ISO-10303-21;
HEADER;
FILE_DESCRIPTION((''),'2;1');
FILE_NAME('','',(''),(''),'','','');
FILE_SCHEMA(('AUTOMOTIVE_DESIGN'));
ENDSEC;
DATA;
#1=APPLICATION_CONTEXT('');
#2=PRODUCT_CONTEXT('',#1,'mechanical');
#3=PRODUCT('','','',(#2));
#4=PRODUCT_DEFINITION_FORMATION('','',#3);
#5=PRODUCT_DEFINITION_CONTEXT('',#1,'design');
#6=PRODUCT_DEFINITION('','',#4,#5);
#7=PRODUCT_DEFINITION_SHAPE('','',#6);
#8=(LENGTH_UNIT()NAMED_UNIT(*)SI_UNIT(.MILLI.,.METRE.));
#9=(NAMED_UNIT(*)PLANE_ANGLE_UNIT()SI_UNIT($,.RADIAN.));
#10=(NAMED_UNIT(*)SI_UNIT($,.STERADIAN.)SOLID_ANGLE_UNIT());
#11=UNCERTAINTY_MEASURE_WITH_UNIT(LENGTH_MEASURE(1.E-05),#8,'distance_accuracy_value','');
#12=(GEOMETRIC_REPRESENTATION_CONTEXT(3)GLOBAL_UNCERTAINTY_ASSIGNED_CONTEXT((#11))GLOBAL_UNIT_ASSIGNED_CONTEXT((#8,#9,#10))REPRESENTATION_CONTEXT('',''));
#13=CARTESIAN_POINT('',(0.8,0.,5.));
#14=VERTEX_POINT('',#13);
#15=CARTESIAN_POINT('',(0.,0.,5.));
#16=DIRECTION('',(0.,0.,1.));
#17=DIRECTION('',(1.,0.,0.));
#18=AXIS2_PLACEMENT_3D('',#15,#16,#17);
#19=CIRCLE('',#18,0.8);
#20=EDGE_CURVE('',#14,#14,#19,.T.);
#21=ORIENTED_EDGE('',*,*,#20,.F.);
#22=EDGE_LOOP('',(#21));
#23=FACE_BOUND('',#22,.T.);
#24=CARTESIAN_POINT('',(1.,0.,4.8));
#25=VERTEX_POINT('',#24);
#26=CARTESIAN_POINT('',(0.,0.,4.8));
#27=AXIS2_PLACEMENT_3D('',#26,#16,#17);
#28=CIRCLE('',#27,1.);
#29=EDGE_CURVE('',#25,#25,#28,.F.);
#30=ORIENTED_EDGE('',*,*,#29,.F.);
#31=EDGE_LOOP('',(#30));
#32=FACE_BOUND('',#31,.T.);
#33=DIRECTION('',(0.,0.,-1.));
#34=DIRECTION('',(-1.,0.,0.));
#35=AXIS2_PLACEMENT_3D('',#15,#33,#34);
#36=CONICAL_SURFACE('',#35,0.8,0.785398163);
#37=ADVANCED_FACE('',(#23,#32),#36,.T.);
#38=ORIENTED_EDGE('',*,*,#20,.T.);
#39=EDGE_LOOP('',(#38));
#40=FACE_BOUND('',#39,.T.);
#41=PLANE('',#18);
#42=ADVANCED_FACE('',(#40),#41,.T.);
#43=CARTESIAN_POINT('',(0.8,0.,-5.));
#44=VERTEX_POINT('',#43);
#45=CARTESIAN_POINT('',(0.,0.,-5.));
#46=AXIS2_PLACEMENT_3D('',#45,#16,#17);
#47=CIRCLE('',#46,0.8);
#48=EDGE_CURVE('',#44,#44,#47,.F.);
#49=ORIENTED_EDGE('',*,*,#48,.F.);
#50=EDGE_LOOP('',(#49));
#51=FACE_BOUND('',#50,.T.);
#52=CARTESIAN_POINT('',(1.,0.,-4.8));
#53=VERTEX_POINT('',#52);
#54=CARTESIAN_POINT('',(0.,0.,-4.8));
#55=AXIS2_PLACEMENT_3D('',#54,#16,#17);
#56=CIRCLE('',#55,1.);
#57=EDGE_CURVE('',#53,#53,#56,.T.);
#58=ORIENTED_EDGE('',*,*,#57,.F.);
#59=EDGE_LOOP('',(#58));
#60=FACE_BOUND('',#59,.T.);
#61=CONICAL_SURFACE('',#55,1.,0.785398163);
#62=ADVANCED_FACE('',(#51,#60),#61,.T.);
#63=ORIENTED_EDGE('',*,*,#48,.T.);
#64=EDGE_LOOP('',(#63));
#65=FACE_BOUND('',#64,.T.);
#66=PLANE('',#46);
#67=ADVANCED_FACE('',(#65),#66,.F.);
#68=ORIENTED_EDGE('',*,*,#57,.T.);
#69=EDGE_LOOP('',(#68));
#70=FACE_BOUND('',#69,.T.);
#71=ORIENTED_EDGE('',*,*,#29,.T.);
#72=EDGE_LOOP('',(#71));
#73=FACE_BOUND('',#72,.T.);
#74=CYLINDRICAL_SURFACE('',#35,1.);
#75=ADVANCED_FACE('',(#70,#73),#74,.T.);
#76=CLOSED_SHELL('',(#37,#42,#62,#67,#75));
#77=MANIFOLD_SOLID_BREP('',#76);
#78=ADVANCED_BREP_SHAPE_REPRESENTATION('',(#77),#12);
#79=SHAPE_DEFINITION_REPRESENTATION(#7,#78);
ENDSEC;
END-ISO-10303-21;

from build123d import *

# Parameters (mm, degrees)
SKETCH_1_R      = 1
EXTRUDE_1_DEPTH = 5
CHAMFER_1_SIZE  = 0.2


with BuildPart() as part:
    # 草图1 → 凸台-拉伸1 (new body, symmetric)
    with BuildSketch(Plane.XY):
        Circle(SKETCH_1_R)
    extrude(amount=EXTRUDE_1_DEPTH, both=True)

    # 倒角1
    chamfer_1_edges = [part.edges().sort_by_distance(p)[0] for p in [
        (-1, 0, -5),
        (-1, 0, 5),
    ]]
    chamfer(chamfer_1_edges, length=CHAMFER_1_SIZE)


solid = part.part
